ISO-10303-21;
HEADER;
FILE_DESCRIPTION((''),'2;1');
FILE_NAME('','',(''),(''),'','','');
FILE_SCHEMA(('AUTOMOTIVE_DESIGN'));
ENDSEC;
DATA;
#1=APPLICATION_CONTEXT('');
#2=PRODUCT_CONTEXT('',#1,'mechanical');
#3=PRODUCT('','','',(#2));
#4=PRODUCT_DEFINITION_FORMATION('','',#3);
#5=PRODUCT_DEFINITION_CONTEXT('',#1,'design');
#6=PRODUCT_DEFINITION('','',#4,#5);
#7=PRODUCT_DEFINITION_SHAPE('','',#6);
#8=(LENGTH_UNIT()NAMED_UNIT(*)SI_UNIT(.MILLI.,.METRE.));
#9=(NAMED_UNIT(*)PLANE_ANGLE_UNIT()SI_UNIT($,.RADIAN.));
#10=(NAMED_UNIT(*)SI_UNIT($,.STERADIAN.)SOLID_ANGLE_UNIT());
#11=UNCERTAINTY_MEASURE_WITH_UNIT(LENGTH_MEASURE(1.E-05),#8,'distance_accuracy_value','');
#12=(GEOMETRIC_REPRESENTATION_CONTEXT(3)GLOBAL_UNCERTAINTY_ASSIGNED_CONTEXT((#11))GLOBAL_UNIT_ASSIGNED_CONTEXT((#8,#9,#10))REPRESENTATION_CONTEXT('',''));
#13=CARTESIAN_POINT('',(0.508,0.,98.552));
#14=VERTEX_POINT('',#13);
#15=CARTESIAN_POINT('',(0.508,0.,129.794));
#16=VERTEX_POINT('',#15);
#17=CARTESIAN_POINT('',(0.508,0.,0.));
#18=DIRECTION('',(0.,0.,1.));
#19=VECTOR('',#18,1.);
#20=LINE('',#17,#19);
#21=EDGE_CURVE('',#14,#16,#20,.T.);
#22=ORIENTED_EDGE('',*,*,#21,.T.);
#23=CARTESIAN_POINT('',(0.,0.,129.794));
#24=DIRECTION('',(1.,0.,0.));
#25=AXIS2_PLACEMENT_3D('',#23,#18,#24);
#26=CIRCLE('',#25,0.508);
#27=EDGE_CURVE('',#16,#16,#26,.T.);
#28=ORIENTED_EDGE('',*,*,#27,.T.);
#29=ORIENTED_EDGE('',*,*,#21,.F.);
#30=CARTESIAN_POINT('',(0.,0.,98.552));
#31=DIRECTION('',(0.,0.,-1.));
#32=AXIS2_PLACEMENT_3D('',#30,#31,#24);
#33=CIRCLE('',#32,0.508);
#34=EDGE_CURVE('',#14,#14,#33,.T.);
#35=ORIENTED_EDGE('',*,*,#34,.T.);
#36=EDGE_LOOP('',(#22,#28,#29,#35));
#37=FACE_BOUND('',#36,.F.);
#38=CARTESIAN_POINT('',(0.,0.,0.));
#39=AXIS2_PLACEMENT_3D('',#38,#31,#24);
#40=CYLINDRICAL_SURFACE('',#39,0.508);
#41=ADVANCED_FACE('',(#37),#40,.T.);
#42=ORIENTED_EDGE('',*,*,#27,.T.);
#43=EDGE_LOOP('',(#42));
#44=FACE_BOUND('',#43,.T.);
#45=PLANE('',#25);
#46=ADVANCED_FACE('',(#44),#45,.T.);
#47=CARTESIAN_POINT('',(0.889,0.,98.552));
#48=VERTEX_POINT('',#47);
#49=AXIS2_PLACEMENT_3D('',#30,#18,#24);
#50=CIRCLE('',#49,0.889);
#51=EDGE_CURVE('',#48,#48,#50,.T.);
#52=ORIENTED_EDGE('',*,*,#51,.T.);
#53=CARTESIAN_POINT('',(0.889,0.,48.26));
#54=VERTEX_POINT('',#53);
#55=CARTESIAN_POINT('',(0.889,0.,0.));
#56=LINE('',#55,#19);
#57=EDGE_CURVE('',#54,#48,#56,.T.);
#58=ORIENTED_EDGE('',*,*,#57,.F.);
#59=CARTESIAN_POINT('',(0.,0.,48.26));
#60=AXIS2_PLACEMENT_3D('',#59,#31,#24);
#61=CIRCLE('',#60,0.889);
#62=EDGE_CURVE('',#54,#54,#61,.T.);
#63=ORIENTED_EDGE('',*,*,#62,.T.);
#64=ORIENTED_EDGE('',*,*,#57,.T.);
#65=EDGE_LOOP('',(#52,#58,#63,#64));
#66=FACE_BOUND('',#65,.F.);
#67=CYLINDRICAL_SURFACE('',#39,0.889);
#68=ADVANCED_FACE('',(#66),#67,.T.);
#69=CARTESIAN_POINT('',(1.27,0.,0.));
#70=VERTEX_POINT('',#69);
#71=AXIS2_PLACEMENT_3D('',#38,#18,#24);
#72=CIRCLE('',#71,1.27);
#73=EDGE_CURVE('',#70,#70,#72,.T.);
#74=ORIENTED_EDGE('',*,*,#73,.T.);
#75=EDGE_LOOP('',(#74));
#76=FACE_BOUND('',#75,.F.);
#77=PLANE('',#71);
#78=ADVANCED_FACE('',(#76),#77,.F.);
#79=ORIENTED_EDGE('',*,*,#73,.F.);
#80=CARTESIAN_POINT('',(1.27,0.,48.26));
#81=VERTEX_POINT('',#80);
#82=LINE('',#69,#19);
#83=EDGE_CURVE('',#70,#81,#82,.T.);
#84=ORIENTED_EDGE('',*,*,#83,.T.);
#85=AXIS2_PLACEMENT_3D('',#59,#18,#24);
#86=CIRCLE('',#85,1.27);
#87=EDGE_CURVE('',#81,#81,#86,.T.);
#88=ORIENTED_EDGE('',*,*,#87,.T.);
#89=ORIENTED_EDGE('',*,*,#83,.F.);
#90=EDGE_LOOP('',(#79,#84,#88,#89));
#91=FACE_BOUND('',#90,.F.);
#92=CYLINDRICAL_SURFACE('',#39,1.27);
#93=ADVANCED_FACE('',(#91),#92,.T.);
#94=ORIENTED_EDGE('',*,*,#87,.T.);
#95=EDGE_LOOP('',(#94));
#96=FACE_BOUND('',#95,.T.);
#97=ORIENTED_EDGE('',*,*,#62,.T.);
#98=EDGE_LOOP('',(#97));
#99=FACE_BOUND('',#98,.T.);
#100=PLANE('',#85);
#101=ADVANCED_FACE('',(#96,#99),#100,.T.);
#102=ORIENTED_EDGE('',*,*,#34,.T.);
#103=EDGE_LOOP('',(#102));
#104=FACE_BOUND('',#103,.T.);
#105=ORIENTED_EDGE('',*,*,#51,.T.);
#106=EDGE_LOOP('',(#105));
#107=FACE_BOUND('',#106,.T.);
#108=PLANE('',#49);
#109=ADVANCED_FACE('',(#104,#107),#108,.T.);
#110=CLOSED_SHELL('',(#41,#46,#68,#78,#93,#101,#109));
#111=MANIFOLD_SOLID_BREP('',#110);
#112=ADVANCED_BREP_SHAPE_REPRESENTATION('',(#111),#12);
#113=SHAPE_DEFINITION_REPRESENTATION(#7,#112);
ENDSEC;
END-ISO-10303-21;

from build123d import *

# Parameters (mm, degrees)
F0_R     = 1.27
F1_DEPTH = 48.26
F2_R     = 0.889
F3_DEPTH = 98.552
F4_R     = 0.508
F5_DEPTH = 129.794


with BuildPart() as f1:
    # F0 (on Top) → F1 (new body)
    with BuildSketch(Plane.XY):
        Circle(F0_R)
    extrude(amount=F1_DEPTH)

    # F2 (on Top) → F3 (join)
    with BuildSketch(Plane.XY):
        Circle(F2_R)
    extrude(amount=F3_DEPTH)

    # F4 (on Top) → F5 (join)
    with BuildSketch(Plane.XY):
        Circle(F4_R)
    extrude(amount=F5_DEPTH)


solid = f1.part
